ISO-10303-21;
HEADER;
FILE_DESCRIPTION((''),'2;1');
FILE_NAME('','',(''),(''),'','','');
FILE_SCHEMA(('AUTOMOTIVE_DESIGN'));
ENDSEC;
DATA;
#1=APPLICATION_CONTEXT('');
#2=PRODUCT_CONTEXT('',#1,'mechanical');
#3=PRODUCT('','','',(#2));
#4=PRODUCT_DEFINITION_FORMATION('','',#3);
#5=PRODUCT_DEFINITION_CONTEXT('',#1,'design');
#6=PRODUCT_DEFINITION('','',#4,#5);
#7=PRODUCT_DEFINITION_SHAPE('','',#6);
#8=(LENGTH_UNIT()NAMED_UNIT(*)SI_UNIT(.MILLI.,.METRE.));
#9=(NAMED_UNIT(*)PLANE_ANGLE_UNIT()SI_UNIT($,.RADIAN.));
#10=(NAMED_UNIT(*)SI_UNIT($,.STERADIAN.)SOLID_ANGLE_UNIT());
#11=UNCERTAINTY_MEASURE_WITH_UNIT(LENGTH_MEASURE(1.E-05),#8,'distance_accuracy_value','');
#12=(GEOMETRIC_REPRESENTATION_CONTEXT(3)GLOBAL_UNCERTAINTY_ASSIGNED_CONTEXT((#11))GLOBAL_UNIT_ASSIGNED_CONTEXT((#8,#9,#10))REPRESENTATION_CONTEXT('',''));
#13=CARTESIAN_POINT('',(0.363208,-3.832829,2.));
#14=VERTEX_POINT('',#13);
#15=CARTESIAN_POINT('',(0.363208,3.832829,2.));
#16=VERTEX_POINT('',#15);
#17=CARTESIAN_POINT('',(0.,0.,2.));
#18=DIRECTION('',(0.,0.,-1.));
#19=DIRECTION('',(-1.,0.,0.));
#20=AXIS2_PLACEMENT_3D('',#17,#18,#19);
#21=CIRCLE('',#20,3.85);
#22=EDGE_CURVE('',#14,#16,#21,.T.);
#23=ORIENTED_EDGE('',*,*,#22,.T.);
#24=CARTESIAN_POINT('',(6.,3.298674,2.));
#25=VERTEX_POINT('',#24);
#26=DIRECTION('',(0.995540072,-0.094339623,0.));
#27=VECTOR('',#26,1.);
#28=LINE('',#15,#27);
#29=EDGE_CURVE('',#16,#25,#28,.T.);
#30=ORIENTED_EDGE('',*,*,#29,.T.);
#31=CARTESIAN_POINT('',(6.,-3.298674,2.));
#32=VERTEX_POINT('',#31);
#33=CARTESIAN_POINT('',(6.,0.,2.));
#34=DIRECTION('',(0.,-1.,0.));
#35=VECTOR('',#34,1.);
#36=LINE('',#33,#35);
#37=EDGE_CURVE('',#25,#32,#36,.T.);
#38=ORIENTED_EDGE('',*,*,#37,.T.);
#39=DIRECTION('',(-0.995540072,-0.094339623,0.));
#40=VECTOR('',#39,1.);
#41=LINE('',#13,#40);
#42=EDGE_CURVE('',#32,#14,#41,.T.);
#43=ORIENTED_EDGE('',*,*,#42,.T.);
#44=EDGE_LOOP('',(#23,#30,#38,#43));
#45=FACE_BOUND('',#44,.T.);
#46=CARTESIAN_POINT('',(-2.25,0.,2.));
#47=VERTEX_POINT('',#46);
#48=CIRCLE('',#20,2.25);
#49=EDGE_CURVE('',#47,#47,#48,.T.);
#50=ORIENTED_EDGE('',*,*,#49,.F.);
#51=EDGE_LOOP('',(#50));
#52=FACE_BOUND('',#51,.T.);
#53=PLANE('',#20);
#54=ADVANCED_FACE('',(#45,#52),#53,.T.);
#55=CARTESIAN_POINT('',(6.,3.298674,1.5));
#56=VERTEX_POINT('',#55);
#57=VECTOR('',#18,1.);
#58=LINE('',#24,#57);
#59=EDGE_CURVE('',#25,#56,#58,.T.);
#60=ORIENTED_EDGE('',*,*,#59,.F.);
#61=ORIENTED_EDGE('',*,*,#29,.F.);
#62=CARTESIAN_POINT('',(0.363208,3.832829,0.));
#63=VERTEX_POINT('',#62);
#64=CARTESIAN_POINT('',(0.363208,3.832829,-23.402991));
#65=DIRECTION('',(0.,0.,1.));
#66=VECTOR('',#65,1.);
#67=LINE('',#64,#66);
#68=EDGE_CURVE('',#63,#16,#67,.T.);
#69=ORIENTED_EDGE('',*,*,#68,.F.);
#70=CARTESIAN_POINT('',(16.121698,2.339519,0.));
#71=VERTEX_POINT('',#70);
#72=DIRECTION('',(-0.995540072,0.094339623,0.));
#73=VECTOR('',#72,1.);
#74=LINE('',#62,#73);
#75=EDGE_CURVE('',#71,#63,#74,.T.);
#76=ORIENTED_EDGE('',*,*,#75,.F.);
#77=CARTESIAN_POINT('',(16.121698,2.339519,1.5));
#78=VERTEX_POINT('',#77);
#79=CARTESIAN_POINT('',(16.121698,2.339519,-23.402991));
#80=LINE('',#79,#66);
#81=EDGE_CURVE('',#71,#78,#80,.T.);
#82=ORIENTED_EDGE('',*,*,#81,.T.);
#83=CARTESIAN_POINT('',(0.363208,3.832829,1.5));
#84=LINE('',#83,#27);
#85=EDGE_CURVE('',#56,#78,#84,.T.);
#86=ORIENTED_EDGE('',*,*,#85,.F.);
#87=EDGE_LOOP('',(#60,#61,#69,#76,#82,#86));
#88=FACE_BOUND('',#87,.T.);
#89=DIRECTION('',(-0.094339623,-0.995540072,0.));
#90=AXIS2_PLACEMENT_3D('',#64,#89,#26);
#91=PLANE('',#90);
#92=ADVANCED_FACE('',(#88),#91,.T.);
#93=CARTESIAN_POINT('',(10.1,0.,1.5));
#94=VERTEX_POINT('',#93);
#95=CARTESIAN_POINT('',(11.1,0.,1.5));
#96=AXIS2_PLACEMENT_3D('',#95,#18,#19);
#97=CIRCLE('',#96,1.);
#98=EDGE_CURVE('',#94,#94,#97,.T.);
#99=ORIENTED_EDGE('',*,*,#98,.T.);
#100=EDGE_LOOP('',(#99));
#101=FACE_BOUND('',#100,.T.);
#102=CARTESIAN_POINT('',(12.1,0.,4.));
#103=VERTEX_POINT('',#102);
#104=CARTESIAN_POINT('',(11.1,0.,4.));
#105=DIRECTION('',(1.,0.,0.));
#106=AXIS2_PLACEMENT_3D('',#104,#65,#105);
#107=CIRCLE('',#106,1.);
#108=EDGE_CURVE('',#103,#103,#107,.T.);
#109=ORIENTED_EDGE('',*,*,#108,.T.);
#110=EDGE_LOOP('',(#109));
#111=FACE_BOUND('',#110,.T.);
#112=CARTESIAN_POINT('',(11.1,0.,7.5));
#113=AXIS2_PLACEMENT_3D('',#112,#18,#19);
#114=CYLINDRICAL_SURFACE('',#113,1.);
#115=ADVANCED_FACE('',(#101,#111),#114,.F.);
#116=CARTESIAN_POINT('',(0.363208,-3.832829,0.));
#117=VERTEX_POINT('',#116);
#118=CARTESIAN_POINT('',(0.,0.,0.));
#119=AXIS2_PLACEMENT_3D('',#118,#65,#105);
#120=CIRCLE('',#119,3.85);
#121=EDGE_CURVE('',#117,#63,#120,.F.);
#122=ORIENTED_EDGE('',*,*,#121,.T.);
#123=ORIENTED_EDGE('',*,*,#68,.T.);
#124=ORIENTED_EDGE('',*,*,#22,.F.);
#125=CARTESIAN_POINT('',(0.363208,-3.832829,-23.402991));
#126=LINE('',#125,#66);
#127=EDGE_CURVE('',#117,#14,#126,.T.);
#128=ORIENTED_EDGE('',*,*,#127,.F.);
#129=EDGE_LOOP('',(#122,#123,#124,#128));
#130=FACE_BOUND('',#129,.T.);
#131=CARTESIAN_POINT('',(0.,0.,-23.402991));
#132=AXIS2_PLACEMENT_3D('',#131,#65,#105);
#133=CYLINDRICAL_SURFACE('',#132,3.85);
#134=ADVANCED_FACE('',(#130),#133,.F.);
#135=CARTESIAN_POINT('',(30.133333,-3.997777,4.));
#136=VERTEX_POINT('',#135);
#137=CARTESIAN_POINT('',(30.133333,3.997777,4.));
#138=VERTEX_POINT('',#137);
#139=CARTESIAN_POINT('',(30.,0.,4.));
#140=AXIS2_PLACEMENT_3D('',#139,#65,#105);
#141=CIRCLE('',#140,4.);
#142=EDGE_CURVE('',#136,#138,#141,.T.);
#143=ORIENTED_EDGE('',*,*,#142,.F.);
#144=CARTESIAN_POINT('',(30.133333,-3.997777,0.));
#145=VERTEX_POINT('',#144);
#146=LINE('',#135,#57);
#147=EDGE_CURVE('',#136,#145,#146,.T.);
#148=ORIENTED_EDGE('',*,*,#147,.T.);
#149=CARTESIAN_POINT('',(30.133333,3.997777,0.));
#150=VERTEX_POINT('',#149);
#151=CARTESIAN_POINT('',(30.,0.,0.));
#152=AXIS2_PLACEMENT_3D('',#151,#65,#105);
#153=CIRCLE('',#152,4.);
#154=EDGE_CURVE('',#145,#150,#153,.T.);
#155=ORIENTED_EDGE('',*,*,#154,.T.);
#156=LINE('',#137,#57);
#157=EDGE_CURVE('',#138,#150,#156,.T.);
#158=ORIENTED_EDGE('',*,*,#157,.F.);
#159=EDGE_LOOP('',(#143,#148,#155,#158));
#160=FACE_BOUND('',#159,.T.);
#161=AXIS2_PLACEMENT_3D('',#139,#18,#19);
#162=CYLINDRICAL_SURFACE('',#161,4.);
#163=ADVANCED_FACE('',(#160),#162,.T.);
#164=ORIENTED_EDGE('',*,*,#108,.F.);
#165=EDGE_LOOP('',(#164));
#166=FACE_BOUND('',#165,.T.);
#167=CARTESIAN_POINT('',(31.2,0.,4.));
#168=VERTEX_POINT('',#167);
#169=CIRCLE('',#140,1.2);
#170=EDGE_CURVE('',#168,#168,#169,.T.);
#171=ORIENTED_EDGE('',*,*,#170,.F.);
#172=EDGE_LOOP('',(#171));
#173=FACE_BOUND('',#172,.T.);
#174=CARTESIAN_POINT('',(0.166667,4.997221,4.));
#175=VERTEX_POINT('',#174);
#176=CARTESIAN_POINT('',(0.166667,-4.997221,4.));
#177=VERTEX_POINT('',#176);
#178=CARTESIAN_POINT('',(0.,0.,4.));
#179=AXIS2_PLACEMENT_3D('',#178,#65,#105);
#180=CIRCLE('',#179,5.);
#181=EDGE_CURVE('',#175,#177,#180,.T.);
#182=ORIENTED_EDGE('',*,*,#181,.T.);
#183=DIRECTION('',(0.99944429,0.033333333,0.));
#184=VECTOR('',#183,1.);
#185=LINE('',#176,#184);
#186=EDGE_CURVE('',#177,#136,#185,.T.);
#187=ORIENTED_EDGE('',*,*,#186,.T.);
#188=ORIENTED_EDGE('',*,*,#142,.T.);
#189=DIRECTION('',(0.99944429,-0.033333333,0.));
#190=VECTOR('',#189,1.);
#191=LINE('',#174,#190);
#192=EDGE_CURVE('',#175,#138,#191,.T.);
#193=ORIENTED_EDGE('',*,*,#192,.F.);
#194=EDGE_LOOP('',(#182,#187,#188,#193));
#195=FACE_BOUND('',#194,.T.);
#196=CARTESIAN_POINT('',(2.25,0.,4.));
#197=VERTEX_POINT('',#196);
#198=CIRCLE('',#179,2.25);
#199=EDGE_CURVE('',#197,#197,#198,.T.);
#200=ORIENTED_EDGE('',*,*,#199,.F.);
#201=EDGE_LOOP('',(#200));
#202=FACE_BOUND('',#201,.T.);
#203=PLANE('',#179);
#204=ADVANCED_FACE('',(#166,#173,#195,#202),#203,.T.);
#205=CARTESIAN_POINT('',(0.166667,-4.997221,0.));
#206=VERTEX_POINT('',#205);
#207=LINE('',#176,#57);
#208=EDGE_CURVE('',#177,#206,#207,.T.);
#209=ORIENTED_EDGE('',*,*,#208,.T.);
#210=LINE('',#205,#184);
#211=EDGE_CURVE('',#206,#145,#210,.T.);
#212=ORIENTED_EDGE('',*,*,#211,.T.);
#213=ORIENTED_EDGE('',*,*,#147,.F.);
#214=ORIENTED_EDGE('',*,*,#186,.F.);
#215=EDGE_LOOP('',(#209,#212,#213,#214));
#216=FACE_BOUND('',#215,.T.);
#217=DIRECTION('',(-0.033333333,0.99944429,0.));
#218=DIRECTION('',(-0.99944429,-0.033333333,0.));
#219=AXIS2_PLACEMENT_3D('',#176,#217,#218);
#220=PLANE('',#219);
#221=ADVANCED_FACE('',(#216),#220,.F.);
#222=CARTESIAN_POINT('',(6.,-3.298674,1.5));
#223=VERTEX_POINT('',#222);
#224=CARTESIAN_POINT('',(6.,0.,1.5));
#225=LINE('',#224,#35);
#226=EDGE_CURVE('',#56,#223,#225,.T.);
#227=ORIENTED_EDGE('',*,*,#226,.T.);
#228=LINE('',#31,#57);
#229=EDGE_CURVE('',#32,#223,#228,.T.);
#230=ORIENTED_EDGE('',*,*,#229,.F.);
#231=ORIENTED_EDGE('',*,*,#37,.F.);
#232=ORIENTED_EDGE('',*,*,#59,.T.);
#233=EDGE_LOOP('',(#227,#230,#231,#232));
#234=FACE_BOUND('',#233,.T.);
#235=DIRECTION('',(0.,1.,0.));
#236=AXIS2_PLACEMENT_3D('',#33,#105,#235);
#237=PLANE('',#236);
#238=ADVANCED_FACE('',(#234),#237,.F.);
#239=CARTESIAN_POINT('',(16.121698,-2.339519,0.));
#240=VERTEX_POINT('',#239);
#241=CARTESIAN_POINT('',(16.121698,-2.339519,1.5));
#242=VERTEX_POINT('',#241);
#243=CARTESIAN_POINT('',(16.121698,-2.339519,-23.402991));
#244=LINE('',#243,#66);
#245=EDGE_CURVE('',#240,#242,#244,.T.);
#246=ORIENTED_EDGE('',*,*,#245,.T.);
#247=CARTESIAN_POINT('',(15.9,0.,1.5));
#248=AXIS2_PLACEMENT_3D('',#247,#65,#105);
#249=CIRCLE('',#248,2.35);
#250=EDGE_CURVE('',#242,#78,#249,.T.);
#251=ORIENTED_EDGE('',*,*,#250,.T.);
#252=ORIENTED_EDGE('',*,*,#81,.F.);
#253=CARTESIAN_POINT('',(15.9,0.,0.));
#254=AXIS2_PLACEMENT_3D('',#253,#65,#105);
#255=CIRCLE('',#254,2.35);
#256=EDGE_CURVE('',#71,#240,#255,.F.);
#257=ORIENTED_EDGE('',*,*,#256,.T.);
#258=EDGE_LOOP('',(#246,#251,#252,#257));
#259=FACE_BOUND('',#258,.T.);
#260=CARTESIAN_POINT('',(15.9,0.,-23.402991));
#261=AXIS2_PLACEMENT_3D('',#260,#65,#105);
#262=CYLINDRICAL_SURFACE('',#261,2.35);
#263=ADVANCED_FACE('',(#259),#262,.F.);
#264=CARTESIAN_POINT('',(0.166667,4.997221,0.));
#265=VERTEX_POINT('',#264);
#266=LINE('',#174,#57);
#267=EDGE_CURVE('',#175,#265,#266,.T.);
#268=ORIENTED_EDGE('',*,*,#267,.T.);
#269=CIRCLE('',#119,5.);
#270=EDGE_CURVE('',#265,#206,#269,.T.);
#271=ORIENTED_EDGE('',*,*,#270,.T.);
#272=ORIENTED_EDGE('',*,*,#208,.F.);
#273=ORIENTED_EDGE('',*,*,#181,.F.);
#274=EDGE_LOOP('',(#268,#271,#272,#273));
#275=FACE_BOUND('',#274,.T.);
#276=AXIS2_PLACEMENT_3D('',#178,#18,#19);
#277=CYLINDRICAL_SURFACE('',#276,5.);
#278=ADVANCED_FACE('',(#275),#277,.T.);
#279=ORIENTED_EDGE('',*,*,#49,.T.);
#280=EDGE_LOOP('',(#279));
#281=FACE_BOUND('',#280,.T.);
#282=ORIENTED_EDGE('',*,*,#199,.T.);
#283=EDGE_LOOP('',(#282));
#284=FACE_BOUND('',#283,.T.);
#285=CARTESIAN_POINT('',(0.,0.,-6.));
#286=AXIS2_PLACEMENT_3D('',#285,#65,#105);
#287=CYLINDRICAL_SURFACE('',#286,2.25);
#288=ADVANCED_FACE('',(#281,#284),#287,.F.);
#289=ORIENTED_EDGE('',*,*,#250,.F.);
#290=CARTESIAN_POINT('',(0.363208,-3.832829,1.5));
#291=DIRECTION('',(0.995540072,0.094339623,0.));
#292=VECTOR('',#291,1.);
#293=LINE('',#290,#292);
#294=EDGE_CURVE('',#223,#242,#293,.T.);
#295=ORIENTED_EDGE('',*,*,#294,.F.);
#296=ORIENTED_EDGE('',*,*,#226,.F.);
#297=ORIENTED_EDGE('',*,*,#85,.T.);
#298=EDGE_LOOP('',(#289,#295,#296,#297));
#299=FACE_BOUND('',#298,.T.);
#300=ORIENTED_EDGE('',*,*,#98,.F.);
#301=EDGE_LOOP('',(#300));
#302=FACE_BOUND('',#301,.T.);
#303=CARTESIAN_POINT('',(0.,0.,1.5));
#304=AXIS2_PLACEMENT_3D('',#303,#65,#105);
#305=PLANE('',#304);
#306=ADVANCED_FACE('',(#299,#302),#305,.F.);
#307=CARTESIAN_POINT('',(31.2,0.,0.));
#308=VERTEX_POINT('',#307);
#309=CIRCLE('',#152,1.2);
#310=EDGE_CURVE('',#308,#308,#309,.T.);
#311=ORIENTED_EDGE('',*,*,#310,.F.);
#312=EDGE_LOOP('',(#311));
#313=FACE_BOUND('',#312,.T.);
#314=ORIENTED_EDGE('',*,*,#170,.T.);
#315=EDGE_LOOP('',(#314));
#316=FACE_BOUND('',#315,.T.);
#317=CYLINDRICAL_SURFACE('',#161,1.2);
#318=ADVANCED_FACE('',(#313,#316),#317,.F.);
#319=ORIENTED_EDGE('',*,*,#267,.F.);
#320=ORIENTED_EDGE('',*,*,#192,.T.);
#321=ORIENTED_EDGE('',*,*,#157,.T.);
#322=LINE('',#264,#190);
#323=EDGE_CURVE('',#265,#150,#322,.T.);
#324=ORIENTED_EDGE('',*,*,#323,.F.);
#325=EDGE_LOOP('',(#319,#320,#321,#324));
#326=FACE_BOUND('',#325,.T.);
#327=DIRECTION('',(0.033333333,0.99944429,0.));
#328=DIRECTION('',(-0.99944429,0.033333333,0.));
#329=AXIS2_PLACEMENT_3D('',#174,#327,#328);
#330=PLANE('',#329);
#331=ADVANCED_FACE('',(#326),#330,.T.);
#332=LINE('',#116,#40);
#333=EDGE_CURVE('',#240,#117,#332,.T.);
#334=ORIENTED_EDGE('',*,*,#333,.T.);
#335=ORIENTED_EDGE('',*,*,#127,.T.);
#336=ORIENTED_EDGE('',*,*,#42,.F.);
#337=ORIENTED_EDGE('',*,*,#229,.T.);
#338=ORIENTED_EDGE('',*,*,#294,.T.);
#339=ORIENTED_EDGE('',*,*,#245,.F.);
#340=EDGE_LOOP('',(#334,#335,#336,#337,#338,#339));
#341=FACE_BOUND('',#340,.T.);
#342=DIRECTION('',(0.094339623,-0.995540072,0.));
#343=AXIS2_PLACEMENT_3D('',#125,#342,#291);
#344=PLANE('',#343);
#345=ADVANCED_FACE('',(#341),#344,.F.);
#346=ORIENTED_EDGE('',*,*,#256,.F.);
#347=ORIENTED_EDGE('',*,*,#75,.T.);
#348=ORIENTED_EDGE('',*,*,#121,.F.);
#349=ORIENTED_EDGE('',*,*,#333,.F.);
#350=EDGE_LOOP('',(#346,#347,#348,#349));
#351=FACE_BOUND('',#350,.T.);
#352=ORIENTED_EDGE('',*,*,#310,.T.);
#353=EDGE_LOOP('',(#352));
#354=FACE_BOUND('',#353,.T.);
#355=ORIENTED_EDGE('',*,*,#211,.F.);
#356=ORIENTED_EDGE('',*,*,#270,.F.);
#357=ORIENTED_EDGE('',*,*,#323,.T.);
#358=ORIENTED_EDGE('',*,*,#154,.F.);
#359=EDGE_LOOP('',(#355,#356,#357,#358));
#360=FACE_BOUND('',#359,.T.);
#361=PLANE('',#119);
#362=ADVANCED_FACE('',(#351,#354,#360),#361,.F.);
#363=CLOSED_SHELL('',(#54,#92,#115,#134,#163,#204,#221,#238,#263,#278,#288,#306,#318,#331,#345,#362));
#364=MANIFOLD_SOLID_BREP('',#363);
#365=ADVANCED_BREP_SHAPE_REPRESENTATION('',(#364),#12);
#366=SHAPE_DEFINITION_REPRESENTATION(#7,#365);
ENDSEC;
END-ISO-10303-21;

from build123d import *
from build123d.topology import SkipClean

# Parameters (mm, degrees)
SKETCH14_R          = 4
SKETCH14_R_2        = 1.2
SKETCH14_R_3        = 5
BOSS_EXTRUDE1_DEPTH = 4
CUT_EXTRUDE1_START  = -2.5
SKETCH15_R          = 1.2
CUT_EXTRUDE1_DEPTH  = 1.5
CUT_EXTRUDE2_DEPTH  = 0.5
SKETCH17_R          = 1
CUT_EXTRUDE3_DEPTH  = 6
SKETCH18_R          = 2.25
CUT_EXTRUDE4_DEPTH  = 10


with BuildPart() as part:
    # Sketch14 → Boss-Extrude1 (new body)
    with BuildSketch(Plane.XY):
        with BuildLine():
            Line((30.133333333, 3.99777716), (0.166666667, 4.99722145))
            ThreePointArc((0.166666667, 4.99722145), (3.593976442, 3.476108936), (5, 0))
            ThreePointArc((5, 0), (3.593976442, -3.476108936), (0.166666667, -4.99722145))
            Line((0.166666667, -4.99722145), (30.133333333, -3.99777716))
            ThreePointArc((30.133333333, -3.99777716), (26, 0), (30.133333333, 3.99777716))
        make_face()
        with Locations((30, 0)):
            Circle(SKETCH14_R)
        with Locations((30, 0)):
            Circle(SKETCH14_R_2, mode=Mode.SUBTRACT)
        Circle(SKETCH14_R_3)
        Circle(SKETCH14_R_2, mode=Mode.SUBTRACT)
    extrude(amount=BOSS_EXTRUDE1_DEPTH)

    # Sketch15 → Cut-Extrude1 (cut)
    with BuildSketch(Plane.XY.offset(4).offset(CUT_EXTRUDE1_START)):
        with BuildLine():
            Line((16.121698113, 2.33951917), (0.363207547, 3.832829278))
            ThreePointArc((0.363207547, 3.832829278), (-3.85, 0), (0.363207547, -3.832829278))
            Line((0.363207547, -3.832829278), (16.121698113, -2.33951917))
            ThreePointArc((16.121698113, -2.33951917), (18.25, 0), (16.121698113, 2.33951917))
        make_face()
        Circle(SKETCH15_R, mode=Mode.SUBTRACT)
    extrude(amount=-CUT_EXTRUDE1_DEPTH, mode=Mode.SUBTRACT)

    # Sketch16 → Cut-Extrude2 (cut)
    with SkipClean():  # the faces are left unmerged after this step: merging them gives an invalid solid
        with BuildSketch(Plane(origin=(0, 0, 1.5), x_dir=(-1, 0, 0), z_dir=(0, 0, -1))):
            with BuildLine():
                ThreePointArc((-0.363207547, -3.832829278), (-3.85, 0), (-0.363207547, 3.832829278))
                Line((-0.363207547, 3.832829278), (-6, 3.298674112))
                Line((-6, 3.298674112), (-6, -3.298674112))
                Line((-6, -3.298674112), (-0.363207547, -3.832829278))
            make_face()
            with BuildLine():
                ThreePointArc((3.85, 0), (2.722361108, 2.722361108), (0, 3.85))
                Line((0, 3.85), (0, 1.2))
                ThreePointArc((0, 1.2), (0.848528137, 0.848528137), (1.2, 0))
                ThreePointArc((1.2, 0), (0.848528137, -0.848528137), (0, -1.2))
                Line((0, -1.2), (0, -3.85))
                ThreePointArc((0, -3.85), (2.722361108, -2.722361108), (3.85, 0))
            make_face()
            with BuildLine():
                Line((0, 1.2), (0, 3.85))
                ThreePointArc((0, 3.85), (-0.181806598, 3.845704924), (-0.363207547, 3.832829278))
                ThreePointArc((-0.363207547, 3.832829278), (-3.85, 0), (-0.363207547, -3.832829278))
                ThreePointArc((-0.363207547, -3.832829278), (-0.181806598, -3.845704924), (0, -3.85))
                Line((0, -3.85), (0, -1.2))
                ThreePointArc((0, -1.2), (-1.2, 0), (0, 1.2))
            make_face()
        extrude(amount=-CUT_EXTRUDE2_DEPTH, mode=Mode.SUBTRACT)

    # Sketch17 → Cut-Extrude3 (cut)
    with SkipClean():  # the faces are left unmerged after this step: merging them gives an invalid solid
        with BuildSketch(Plane(origin=(0, 0, 1.5), x_dir=(-1, 0, 0), z_dir=(0, 0, -1))):
            with Locations((-11.1, 0)):
                Circle(SKETCH17_R)
        extrude(amount=-CUT_EXTRUDE3_DEPTH, mode=Mode.SUBTRACT)

    # Sketch18 → Cut-Extrude4 (cut)
    with SkipClean():  # the faces are left unmerged after this step: merging them gives an invalid solid
        with BuildSketch(Plane.XY.offset(4)):
            Circle(SKETCH18_R)
        extrude(amount=-CUT_EXTRUDE4_DEPTH, mode=Mode.SUBTRACT)


solid = part.part
